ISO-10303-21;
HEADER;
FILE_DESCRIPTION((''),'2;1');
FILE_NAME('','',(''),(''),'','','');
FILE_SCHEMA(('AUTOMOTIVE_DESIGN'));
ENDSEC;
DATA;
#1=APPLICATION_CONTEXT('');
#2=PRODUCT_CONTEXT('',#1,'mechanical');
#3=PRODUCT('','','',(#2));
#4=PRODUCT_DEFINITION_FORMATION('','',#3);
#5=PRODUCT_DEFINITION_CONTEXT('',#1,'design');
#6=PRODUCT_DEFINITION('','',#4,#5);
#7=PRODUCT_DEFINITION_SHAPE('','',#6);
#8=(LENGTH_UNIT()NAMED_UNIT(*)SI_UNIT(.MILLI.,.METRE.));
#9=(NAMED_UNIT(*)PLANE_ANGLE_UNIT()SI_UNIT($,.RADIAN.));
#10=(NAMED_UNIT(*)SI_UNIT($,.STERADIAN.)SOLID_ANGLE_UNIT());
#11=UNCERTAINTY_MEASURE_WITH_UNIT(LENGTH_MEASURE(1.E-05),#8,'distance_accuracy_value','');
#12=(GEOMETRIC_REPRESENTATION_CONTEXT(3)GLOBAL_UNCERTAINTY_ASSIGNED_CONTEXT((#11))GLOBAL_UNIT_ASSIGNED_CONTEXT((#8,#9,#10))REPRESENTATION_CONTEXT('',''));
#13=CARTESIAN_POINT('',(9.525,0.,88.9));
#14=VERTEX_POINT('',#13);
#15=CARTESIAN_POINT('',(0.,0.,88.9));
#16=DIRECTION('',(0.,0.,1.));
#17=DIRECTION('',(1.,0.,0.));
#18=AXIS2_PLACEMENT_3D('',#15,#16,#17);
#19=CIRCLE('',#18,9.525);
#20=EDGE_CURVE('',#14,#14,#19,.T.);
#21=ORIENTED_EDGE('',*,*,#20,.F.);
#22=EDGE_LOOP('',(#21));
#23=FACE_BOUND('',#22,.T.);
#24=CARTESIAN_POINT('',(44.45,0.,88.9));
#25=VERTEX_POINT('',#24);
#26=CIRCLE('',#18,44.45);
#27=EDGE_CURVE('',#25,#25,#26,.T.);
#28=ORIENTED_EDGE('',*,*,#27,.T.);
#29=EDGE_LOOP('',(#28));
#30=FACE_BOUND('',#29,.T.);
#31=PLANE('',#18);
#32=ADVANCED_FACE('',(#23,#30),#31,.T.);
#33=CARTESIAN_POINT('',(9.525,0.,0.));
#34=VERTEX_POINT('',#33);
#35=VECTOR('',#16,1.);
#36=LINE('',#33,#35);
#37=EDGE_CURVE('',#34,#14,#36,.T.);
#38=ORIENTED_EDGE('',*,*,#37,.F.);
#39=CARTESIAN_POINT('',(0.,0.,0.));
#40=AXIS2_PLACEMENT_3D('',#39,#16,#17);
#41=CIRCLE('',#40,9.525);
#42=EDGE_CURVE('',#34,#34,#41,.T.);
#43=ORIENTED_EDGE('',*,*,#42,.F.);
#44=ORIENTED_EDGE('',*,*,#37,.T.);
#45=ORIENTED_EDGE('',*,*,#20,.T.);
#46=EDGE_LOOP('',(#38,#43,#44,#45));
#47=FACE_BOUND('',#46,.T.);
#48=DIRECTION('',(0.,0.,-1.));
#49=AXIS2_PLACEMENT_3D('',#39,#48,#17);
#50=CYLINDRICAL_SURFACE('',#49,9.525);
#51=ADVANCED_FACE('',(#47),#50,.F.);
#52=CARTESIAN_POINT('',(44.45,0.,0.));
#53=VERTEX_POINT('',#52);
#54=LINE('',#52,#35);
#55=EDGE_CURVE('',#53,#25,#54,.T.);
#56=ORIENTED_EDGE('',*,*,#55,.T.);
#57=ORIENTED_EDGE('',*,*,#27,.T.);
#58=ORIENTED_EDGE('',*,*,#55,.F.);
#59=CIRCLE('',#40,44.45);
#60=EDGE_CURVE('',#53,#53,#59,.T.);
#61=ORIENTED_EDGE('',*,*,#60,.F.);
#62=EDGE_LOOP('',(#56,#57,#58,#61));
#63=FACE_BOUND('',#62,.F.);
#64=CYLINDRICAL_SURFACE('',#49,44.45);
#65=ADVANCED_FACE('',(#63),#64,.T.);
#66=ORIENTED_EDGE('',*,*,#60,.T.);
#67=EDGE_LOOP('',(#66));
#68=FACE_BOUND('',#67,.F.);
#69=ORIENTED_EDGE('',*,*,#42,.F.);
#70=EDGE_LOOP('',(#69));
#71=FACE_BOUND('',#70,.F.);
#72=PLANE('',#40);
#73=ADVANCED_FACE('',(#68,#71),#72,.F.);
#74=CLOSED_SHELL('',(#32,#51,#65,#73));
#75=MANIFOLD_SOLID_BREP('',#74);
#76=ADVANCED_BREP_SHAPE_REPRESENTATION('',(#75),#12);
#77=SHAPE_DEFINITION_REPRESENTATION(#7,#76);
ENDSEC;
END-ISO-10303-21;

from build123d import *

# Parameters (mm, degrees)
F0_R     = 44.45
F0_R_2   = 25.4
F0_R_3   = 19.05
F0_R_4   = 9.525
F1_DEPTH = 88.9


with BuildPart() as f1:
    # F0 (on Top) → F1 (new body)
    with BuildSketch(Plane.XY):
        Circle(F0_R)
        Circle(F0_R_2, mode=Mode.SUBTRACT)
        Circle(F0_R_2)
        Circle(F0_R_3, mode=Mode.SUBTRACT)
        Circle(F0_R_3)
        Circle(F0_R_4, mode=Mode.SUBTRACT)
    extrude(amount=F1_DEPTH)


solid = f1.part
